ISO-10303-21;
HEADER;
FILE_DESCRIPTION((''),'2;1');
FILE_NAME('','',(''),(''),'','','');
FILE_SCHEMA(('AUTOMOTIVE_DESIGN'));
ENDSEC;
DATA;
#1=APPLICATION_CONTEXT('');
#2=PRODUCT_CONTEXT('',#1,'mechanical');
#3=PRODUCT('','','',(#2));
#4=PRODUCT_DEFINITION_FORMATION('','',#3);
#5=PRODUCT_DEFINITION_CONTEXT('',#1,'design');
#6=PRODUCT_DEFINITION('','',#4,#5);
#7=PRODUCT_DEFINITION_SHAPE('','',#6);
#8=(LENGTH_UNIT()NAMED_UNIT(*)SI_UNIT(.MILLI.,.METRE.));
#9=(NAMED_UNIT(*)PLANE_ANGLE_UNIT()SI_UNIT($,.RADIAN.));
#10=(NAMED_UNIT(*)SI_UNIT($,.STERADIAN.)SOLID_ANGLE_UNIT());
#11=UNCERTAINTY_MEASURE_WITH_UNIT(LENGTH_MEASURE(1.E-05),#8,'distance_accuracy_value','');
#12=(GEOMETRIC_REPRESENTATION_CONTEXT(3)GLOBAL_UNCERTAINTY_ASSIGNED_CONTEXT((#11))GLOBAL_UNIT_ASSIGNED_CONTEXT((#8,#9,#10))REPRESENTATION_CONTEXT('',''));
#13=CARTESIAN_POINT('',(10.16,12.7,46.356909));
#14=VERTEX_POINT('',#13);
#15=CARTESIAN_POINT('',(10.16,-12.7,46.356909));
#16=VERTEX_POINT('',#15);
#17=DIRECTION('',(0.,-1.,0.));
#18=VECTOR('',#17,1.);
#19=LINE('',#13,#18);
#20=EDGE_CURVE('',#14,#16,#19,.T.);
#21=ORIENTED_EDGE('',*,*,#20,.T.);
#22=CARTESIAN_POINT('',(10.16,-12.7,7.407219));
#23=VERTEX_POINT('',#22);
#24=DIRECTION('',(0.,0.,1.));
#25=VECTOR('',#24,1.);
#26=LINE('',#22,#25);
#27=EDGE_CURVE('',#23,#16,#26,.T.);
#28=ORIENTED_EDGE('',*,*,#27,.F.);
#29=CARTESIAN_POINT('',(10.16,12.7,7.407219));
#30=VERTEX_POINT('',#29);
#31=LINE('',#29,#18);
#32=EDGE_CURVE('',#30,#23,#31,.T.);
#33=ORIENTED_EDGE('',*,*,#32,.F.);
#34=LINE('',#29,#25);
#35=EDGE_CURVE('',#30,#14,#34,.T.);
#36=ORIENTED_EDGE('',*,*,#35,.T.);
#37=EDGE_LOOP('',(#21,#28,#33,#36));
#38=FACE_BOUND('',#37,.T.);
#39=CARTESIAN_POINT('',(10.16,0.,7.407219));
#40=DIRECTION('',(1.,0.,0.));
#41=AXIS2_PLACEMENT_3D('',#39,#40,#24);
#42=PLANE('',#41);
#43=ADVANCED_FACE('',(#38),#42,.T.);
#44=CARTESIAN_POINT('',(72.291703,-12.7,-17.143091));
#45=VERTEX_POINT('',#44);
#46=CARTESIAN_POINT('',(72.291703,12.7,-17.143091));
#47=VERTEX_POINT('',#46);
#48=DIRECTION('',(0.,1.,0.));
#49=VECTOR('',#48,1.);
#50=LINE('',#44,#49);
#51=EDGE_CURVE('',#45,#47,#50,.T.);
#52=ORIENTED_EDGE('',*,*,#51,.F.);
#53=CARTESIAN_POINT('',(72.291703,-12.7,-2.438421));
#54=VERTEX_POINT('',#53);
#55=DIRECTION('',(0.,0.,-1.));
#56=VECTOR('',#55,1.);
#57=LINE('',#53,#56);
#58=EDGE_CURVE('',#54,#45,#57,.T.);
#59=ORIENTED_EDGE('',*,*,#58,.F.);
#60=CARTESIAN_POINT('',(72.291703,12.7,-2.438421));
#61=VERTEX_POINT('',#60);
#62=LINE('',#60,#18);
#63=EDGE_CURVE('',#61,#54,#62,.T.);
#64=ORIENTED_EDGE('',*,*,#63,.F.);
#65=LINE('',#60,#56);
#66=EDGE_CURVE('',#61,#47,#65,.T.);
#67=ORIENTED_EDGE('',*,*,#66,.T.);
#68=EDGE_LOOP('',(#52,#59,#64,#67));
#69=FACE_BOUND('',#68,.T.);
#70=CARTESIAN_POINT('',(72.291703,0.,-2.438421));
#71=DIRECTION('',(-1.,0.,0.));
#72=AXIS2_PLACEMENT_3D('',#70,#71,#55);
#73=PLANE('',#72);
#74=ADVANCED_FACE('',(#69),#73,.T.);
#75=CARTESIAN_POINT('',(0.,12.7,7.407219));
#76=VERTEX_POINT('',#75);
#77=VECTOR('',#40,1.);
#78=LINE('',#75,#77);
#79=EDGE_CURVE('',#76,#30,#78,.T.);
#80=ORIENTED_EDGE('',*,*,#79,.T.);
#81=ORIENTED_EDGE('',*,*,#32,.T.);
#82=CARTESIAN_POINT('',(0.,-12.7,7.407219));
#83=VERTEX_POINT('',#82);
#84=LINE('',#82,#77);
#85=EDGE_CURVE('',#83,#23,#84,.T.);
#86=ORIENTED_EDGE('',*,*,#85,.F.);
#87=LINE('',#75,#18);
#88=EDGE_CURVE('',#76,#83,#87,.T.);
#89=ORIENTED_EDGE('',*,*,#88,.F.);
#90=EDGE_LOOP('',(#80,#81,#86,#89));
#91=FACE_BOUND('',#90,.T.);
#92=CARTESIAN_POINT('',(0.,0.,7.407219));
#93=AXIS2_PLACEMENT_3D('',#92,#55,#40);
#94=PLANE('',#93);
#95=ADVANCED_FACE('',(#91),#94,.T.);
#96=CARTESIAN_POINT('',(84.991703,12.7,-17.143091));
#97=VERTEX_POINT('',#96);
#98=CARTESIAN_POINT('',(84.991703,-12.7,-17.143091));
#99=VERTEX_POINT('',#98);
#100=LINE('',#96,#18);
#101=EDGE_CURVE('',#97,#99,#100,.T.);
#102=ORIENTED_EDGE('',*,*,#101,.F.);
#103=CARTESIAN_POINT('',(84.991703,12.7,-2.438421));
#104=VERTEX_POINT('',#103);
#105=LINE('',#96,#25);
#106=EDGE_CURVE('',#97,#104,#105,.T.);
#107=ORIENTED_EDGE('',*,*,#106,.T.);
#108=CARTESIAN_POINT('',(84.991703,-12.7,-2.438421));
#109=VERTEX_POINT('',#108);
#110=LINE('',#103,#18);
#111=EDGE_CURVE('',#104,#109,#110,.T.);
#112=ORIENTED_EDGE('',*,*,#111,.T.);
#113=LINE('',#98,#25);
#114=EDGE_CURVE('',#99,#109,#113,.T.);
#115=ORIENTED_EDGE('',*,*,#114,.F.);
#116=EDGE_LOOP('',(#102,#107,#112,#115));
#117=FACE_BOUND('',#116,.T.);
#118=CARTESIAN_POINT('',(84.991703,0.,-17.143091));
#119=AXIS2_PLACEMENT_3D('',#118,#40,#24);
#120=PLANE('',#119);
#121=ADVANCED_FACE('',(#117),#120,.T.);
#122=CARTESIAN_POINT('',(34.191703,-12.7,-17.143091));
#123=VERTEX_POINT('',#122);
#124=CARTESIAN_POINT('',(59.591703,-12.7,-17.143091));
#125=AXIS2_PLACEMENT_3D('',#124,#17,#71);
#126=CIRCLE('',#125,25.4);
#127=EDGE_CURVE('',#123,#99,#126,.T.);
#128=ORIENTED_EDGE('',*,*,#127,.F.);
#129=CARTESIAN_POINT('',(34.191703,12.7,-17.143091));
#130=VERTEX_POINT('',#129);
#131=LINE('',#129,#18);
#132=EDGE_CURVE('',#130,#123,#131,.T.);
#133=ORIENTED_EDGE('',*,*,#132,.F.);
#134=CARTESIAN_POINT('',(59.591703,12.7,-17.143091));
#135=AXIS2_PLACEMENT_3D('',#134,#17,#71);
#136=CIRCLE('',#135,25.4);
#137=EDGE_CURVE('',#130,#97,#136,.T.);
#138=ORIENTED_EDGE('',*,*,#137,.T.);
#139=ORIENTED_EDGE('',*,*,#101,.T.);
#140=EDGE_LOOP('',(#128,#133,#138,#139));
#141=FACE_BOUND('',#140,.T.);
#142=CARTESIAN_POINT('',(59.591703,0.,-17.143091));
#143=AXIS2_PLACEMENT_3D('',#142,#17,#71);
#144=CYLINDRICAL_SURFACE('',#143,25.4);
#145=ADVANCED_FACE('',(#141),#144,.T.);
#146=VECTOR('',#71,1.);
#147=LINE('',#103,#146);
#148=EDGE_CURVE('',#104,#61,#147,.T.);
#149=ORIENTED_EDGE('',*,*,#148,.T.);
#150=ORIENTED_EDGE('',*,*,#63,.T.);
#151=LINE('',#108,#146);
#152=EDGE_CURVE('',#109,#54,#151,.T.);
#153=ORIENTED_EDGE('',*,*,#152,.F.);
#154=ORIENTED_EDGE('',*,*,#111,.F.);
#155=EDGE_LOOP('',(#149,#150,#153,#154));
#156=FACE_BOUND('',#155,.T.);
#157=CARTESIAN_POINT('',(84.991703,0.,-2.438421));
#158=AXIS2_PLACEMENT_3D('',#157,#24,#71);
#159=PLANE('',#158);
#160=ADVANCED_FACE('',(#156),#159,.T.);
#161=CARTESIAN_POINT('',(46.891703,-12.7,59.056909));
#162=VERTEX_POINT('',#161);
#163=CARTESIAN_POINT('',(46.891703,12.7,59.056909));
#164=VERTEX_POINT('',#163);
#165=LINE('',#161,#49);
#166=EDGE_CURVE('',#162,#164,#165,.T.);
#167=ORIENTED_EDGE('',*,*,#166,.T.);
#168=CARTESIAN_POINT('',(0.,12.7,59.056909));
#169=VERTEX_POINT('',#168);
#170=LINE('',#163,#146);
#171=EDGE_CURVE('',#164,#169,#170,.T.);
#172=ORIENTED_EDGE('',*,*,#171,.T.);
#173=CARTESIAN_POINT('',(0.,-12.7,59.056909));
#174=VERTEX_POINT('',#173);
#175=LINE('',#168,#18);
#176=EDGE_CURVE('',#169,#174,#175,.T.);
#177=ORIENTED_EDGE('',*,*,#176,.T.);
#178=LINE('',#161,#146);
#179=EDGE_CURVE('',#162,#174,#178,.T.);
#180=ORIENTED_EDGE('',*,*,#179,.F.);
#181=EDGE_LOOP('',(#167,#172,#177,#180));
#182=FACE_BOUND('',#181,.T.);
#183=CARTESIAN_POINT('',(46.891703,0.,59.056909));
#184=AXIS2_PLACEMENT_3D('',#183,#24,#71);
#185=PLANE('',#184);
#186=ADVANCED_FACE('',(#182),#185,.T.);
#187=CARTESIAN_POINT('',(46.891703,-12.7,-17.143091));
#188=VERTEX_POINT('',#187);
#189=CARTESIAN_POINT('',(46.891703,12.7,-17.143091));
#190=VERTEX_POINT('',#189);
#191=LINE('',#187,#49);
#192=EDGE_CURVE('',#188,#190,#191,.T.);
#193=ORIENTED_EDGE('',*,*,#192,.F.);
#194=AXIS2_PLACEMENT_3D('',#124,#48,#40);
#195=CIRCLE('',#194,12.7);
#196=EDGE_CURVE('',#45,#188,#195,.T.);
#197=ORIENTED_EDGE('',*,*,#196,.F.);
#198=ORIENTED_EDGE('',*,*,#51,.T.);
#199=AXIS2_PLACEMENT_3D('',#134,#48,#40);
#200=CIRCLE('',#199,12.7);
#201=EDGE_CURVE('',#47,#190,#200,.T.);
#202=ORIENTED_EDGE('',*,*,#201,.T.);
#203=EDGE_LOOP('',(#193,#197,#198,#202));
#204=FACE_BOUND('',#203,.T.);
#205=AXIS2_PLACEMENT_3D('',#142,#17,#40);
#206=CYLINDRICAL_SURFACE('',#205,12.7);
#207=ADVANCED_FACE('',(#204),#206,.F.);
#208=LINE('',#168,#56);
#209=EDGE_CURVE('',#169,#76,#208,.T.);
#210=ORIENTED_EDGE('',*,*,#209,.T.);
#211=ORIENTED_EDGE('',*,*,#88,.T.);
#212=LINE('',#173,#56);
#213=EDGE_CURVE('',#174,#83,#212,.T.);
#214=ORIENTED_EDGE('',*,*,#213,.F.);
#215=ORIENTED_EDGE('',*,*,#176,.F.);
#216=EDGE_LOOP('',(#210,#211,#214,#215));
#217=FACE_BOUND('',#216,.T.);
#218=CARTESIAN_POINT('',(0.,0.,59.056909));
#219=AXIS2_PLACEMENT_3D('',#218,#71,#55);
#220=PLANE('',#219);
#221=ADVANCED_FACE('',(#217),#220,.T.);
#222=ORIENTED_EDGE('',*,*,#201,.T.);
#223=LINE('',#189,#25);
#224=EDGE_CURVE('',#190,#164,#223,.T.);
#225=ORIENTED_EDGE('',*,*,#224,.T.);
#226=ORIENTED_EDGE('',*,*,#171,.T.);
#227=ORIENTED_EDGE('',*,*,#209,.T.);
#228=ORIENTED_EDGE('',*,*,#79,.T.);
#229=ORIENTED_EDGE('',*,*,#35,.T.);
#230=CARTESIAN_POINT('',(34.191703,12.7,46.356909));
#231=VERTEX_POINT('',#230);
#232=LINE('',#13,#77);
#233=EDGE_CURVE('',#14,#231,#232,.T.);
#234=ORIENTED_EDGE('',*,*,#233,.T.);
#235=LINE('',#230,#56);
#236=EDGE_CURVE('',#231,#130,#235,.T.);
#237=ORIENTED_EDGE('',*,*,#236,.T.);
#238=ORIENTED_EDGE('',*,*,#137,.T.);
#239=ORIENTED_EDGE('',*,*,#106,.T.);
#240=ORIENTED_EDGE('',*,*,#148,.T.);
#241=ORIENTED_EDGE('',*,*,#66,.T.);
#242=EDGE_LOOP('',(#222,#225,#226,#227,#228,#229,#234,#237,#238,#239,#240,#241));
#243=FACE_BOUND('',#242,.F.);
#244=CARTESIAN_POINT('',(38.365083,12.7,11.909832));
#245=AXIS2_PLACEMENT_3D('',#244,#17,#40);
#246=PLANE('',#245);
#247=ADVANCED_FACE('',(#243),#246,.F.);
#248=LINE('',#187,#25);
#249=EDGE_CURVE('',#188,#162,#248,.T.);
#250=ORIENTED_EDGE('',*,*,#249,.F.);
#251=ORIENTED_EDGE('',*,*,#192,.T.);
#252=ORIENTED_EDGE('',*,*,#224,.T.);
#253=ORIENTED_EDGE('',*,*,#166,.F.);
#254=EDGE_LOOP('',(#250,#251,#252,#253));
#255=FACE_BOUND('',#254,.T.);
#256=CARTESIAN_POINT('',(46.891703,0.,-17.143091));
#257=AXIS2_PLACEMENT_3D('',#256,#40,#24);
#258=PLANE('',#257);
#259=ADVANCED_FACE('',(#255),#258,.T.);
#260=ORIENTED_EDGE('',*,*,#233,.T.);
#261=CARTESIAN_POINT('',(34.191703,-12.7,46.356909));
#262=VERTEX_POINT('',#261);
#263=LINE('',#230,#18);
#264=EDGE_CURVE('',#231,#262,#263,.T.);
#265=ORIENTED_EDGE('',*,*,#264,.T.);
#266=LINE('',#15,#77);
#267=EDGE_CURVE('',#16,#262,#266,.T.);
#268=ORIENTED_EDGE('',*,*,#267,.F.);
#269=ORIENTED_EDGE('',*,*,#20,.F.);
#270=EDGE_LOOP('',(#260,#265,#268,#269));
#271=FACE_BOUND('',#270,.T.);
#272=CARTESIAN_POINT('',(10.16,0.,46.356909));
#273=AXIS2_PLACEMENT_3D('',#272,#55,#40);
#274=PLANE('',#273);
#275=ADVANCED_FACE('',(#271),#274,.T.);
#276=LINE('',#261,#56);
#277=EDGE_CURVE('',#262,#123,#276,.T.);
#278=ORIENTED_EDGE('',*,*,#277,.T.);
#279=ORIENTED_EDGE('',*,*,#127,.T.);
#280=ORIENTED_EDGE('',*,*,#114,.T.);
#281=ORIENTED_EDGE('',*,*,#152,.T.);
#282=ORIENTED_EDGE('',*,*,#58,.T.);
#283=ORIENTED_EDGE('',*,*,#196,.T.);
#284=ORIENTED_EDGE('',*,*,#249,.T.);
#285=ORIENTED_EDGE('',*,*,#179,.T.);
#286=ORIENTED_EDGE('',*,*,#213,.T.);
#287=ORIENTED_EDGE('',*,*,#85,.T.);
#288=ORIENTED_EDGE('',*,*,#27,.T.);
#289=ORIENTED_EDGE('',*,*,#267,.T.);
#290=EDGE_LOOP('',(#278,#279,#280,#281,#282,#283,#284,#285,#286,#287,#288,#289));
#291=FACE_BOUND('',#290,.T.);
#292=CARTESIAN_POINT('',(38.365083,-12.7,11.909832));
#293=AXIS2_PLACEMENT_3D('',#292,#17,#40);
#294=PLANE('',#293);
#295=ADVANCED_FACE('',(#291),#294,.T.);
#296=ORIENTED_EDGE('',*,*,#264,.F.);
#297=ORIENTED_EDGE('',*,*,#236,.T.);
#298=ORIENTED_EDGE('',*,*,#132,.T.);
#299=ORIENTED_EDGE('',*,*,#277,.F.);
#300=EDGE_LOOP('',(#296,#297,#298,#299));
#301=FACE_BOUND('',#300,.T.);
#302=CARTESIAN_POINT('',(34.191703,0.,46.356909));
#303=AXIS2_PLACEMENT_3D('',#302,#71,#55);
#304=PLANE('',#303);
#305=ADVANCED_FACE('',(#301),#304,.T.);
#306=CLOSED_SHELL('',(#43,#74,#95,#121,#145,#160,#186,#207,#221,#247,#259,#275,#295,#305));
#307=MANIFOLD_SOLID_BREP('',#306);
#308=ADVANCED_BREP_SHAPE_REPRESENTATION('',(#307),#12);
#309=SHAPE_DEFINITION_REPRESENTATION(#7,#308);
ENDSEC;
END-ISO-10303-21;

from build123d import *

# Parameters (mm, degrees)
F1_DEPTH = 12.7


with BuildPart() as f1:
    # F0 (on Front) → F1 (new body, symmetric)
    with BuildSketch(Plane.XZ):
        with BuildLine():
            Line((46.891703, 59.056909), (0, 59.056909))
            Line((0, 59.056909), (0, 7.407219))
            Line((0, 7.407219), (10.16, 7.407219))
            Line((10.16, 7.407219), (10.16, 46.356909))
            Line((10.16, 46.356909), (34.191703, 46.356909))
            Line((34.191703, 46.356909), (34.191703, -17.143091))
            ThreePointArc((34.191703, -17.143091), (59.591703, -42.543091), (84.991703, -17.143091))
            Line((84.991703, -17.143091), (84.991703, -2.438421))
            Line((84.991703, -2.438421), (72.291703, -2.438421))
            Line((72.291703, -2.438421), (72.291703, -17.143091))
            ThreePointArc((72.291703, -17.143091), (59.591703, -29.843091), (46.891703, -17.143091))
            Line((46.891703, -17.143091), (46.891703, 59.056909))
        make_face()
    extrude(amount=F1_DEPTH, both=True)


solid = f1.part
